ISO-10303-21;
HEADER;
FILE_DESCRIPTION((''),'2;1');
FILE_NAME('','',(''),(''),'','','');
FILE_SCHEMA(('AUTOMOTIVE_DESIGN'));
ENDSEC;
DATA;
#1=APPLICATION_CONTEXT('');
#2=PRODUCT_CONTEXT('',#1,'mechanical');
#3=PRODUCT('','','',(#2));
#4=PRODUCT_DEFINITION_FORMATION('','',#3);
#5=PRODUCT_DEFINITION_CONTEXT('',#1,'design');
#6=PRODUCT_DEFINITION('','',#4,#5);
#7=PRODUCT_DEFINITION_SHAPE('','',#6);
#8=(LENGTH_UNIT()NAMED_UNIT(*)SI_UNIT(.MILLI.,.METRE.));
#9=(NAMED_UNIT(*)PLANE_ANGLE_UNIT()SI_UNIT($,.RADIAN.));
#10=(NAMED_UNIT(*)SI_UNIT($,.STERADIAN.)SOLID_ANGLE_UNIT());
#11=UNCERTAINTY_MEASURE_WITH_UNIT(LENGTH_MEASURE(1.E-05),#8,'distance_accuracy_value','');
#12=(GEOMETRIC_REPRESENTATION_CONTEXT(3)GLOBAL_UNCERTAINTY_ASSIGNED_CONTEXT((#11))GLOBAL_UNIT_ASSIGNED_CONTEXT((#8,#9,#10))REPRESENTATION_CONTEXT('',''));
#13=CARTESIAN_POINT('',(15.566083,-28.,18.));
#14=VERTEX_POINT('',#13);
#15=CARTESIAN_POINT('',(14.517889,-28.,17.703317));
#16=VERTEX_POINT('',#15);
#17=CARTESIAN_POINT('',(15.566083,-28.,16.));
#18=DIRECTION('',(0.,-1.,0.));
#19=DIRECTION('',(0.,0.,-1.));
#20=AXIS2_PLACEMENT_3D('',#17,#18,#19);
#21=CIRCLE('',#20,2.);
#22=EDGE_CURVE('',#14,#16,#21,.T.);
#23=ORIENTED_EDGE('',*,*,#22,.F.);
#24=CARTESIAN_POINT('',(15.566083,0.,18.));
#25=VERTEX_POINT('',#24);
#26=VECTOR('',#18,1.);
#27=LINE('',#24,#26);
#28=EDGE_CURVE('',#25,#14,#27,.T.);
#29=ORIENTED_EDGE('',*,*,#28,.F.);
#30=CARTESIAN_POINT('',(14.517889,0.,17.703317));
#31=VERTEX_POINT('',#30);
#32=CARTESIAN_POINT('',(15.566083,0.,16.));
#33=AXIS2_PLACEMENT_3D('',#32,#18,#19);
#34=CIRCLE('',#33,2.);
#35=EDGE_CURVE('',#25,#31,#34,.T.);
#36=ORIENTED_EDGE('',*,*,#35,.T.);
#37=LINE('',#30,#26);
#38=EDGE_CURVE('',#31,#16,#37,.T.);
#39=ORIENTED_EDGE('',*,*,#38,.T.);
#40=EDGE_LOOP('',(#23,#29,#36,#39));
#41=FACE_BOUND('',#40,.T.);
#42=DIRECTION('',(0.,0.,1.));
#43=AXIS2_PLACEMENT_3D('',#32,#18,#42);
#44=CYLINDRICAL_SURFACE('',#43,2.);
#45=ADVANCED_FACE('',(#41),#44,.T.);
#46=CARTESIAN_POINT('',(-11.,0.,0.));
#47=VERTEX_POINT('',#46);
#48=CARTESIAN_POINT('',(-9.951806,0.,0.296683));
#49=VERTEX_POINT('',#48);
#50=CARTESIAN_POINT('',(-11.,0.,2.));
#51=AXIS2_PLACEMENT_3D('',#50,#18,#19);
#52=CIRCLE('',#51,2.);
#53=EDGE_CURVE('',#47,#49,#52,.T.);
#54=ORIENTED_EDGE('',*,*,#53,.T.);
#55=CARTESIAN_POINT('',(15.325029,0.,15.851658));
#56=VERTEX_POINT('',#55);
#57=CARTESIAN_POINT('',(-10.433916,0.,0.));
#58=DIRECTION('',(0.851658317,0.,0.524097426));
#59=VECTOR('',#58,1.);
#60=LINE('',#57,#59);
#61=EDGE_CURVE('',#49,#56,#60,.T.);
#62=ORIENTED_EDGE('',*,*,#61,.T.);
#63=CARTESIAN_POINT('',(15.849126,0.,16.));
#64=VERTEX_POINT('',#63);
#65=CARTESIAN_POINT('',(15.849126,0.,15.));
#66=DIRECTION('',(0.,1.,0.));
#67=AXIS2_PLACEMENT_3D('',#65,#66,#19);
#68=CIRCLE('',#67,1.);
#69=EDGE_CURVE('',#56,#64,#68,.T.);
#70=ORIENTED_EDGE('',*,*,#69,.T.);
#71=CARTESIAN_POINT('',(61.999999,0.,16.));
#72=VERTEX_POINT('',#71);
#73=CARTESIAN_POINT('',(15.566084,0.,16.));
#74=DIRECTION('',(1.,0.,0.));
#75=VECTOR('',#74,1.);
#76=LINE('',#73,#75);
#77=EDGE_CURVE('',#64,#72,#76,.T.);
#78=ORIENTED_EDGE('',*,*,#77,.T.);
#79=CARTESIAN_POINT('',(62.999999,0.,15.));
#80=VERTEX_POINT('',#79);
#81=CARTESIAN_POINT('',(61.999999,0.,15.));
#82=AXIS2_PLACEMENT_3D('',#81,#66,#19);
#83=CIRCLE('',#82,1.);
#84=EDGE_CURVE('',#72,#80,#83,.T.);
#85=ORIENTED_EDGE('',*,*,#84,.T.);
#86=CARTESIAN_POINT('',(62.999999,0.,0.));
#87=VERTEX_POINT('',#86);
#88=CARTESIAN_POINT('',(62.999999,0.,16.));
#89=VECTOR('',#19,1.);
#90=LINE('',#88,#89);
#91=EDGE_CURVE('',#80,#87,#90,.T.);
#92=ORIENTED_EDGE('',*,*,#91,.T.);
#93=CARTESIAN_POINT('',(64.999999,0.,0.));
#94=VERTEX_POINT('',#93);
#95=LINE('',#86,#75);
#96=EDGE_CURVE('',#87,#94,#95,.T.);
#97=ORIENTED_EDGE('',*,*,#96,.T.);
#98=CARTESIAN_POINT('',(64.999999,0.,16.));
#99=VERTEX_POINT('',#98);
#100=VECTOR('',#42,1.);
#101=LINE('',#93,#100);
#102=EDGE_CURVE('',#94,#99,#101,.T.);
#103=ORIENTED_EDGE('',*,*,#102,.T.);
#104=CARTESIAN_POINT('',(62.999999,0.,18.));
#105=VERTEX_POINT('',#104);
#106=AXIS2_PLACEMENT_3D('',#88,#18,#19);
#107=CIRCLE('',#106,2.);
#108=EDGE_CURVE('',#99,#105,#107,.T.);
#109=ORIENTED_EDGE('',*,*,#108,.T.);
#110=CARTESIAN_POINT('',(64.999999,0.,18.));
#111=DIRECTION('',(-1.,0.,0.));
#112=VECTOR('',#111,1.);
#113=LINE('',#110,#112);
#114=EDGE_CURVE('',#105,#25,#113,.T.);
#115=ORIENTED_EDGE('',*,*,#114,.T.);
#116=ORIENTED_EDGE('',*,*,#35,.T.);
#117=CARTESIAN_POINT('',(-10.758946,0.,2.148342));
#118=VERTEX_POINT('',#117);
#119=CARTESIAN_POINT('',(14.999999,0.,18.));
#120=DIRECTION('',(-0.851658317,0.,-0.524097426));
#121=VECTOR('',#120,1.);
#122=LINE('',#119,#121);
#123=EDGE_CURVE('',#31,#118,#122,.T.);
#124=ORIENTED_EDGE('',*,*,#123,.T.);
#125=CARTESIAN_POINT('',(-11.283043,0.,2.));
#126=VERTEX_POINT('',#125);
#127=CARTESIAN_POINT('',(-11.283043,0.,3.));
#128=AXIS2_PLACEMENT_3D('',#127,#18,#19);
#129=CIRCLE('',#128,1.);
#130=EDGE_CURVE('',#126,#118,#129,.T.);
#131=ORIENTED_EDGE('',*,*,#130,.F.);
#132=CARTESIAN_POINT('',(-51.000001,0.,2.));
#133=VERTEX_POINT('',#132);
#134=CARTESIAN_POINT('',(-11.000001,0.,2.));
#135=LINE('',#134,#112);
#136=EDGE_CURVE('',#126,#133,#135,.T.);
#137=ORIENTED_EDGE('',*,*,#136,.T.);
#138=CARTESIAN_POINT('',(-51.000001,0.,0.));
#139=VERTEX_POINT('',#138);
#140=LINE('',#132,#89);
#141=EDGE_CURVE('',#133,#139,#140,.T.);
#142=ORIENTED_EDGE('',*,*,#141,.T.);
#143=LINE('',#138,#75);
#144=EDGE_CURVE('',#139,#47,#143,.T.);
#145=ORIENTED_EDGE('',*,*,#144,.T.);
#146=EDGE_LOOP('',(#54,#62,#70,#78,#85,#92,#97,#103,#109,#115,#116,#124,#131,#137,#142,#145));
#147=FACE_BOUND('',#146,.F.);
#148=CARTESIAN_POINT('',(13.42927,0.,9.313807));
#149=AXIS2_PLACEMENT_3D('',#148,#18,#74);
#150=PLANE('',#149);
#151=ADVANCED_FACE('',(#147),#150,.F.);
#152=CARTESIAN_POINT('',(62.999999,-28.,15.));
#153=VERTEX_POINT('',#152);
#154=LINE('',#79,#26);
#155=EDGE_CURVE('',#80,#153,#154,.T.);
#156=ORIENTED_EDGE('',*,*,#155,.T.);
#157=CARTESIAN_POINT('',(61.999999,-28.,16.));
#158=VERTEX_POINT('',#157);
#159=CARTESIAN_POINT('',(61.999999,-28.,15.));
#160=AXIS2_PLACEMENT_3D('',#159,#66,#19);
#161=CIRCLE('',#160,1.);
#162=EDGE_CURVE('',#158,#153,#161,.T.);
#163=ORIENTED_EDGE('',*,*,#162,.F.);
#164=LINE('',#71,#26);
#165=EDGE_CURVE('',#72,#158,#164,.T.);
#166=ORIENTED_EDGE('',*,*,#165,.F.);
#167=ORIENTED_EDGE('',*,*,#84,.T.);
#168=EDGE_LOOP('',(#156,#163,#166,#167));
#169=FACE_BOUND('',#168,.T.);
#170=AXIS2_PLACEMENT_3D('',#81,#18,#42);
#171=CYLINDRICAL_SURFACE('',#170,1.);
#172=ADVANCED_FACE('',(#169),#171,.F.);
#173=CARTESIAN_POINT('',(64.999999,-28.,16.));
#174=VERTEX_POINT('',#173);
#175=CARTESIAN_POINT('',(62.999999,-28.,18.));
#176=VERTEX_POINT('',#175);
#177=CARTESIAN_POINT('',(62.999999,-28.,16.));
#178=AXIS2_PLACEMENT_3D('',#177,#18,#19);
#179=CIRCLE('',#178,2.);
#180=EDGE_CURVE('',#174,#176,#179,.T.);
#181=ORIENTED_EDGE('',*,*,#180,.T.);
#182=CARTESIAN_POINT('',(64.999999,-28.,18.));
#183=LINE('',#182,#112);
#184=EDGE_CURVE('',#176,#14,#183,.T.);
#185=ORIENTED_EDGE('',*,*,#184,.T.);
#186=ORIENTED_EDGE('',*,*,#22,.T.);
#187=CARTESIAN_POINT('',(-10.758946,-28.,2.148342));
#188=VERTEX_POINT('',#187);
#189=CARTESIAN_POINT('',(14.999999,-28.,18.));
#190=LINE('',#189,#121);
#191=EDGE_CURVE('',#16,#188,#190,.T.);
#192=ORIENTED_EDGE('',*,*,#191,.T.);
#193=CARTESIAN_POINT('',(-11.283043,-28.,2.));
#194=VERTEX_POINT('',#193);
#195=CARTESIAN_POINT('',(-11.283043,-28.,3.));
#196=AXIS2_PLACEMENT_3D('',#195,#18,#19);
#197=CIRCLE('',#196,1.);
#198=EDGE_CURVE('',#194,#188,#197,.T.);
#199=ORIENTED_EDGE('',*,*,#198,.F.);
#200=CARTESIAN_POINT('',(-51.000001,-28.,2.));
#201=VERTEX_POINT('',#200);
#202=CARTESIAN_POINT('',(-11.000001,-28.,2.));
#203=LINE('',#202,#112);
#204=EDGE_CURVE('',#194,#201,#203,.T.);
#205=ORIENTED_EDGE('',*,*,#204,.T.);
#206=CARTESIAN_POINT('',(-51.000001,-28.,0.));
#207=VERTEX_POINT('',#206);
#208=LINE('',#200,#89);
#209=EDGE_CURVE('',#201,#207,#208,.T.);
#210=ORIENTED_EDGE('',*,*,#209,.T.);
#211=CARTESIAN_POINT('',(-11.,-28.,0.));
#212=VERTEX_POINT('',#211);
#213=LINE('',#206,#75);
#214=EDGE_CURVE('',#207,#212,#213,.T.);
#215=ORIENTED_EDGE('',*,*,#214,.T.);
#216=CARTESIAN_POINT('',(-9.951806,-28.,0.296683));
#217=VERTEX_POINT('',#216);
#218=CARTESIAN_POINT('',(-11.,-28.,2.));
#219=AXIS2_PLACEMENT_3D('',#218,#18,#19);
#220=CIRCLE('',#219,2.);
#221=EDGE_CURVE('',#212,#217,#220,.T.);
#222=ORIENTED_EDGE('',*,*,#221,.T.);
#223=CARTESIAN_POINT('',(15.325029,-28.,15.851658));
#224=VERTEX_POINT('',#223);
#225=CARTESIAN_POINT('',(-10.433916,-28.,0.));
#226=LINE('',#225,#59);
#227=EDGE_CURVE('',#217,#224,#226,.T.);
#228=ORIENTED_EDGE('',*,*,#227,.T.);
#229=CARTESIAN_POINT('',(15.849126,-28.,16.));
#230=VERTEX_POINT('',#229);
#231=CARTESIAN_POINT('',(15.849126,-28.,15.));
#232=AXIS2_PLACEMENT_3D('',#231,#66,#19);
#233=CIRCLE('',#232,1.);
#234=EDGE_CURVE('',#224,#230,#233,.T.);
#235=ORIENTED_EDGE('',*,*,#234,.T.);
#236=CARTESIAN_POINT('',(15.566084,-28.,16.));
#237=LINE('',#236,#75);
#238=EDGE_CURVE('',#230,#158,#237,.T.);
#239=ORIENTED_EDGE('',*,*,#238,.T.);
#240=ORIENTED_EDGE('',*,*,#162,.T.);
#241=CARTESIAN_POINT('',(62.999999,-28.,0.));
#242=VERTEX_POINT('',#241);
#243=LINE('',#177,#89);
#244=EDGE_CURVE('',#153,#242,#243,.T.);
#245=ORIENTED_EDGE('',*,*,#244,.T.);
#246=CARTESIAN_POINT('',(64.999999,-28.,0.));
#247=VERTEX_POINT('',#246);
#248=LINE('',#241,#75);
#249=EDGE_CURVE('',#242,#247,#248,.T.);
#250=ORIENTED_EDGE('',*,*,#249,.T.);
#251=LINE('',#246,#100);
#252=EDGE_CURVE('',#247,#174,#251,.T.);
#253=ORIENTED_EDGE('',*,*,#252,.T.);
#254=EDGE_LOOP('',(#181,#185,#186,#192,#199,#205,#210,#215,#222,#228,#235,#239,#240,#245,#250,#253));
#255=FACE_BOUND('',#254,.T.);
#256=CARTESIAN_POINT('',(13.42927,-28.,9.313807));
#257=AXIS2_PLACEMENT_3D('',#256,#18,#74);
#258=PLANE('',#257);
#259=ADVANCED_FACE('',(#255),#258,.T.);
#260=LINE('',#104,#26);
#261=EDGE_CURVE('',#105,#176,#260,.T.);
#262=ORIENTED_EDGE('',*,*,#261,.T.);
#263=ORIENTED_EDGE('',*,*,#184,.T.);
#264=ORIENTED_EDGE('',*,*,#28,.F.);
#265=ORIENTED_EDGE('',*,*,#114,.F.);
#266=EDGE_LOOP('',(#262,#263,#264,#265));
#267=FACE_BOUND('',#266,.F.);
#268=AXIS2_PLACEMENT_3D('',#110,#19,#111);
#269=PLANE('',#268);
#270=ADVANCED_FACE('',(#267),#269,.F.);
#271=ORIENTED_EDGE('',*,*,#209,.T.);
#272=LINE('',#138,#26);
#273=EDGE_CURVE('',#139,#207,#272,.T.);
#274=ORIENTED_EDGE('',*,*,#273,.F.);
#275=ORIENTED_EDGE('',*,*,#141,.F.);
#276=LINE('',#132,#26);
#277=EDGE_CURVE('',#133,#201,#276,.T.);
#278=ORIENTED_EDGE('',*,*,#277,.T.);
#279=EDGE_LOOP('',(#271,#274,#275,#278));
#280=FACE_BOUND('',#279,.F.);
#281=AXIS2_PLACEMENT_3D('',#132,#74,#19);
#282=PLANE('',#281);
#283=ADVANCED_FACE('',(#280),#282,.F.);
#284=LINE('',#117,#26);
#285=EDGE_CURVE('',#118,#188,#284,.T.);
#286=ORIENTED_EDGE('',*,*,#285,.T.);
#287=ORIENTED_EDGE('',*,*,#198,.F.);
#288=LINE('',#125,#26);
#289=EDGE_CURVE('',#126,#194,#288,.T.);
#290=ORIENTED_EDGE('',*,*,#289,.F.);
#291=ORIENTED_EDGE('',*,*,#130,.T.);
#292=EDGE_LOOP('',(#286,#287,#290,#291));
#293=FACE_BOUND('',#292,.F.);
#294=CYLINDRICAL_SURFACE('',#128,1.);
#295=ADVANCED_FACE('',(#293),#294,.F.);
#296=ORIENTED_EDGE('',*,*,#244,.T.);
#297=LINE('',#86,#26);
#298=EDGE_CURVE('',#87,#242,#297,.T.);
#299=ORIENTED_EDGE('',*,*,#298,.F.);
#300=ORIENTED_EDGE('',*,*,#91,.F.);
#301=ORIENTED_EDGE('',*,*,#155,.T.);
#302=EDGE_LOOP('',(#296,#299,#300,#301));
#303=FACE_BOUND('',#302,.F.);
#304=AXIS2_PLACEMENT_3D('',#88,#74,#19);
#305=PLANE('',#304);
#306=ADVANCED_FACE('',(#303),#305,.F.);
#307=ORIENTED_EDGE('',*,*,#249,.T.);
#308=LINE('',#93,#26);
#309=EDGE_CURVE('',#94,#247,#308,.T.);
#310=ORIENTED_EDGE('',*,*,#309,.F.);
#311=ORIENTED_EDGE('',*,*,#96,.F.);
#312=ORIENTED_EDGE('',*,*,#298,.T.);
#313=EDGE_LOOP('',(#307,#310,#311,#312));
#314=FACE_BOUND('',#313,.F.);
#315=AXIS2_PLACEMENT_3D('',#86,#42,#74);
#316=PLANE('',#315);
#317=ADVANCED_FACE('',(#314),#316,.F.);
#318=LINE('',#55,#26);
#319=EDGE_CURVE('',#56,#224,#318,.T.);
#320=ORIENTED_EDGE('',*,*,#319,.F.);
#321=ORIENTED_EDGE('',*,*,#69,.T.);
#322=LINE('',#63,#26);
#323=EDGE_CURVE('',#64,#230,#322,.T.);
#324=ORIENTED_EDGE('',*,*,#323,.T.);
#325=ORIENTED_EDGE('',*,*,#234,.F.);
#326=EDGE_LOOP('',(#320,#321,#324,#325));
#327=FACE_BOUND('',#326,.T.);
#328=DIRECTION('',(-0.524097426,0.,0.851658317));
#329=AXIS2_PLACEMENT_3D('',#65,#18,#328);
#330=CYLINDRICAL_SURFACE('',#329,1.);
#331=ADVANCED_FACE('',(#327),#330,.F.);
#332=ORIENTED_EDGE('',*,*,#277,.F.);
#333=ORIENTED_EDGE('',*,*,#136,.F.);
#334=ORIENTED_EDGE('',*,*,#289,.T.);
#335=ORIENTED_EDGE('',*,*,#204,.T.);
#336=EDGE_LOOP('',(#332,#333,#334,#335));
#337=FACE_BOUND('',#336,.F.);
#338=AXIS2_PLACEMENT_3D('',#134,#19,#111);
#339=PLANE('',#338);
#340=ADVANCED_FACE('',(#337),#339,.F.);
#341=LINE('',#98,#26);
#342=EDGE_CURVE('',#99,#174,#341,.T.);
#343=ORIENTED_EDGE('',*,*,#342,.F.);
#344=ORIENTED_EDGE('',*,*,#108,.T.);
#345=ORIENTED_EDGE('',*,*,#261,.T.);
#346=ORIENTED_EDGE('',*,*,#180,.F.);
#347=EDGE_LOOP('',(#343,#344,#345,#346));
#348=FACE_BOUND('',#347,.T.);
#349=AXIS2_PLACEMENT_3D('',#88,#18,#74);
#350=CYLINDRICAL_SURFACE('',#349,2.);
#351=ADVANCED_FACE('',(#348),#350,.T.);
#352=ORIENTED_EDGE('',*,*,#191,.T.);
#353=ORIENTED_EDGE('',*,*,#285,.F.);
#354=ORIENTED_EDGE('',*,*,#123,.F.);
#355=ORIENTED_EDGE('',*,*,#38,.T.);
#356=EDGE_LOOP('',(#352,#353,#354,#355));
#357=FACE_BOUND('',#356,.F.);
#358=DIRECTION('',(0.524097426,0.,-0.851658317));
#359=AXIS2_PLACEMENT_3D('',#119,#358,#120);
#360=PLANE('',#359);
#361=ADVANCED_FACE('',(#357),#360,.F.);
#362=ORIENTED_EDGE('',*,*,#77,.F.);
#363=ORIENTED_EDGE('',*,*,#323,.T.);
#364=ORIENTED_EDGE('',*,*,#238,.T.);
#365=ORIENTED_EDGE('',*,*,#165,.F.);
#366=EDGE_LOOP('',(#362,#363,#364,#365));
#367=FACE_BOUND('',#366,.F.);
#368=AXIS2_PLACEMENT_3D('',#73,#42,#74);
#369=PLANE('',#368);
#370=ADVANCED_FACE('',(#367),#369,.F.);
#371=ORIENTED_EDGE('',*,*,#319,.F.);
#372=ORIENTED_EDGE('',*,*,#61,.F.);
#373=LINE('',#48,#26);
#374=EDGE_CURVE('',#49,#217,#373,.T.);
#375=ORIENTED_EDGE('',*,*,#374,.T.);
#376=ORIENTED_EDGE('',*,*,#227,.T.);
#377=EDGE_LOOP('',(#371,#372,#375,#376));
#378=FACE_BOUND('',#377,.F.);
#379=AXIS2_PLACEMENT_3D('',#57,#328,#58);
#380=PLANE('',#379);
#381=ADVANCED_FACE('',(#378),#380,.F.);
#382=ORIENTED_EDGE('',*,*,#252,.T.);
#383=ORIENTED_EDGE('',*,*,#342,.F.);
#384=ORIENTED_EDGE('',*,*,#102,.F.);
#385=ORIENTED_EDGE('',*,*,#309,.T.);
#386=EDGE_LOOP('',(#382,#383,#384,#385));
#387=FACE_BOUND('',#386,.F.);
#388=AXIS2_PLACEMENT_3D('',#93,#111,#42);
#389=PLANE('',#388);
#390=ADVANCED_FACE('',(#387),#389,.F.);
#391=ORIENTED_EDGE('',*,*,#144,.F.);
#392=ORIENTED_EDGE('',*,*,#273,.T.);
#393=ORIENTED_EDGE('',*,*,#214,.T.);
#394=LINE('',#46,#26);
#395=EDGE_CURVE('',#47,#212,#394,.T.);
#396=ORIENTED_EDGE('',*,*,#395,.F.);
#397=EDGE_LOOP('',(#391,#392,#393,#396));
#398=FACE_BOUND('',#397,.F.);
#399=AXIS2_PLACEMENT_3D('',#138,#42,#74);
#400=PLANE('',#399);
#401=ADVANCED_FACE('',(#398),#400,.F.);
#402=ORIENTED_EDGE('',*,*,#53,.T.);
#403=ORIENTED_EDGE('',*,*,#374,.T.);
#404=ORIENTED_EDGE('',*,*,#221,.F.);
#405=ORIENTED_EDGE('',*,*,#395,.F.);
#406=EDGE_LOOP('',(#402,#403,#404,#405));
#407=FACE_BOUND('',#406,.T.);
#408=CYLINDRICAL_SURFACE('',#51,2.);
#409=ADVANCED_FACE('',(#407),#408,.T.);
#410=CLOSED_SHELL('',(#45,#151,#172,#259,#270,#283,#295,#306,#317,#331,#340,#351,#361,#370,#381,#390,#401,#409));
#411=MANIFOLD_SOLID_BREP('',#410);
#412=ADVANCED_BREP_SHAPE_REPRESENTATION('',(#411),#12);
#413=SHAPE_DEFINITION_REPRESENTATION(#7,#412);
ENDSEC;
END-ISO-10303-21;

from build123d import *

# Parameters (mm, degrees)
F1_DEPTH = 28
F2_R     = 2
F3_R     = 1


with BuildPart() as f1:
    # F0 (on Front) → F1 (new body)
    with BuildSketch(Plane.XZ):
        Polygon((-51.000001, 2), (-51.000001, 0), (-10.433916, 0), (15.566084, 16), (62.999999, 16), (62.999999, 0), (64.999999, 0), (64.999999, 18), (14.999999, 18), (-11.000001, 2), align=None)
    extrude(amount=F1_DEPTH)

    # F2
    f2_edges = [f1.edges().sort_by_distance(p)[0] for p in [
        (14.999999, -14, 18),
        (64.999999, -14, 18),
        (-10.433916, -14, 0),
    ]]
    fillet(f2_edges, radius=F2_R)

    # F3
    f3_edges = [f1.edges().sort_by_distance(p)[0] for p in [
        (-11.000001, -14, 2),
        (62.999999, -14, 16),
        (15.566084, -14, 16),
    ]]
    fillet(f3_edges, radius=F3_R)


solid = f1.part
